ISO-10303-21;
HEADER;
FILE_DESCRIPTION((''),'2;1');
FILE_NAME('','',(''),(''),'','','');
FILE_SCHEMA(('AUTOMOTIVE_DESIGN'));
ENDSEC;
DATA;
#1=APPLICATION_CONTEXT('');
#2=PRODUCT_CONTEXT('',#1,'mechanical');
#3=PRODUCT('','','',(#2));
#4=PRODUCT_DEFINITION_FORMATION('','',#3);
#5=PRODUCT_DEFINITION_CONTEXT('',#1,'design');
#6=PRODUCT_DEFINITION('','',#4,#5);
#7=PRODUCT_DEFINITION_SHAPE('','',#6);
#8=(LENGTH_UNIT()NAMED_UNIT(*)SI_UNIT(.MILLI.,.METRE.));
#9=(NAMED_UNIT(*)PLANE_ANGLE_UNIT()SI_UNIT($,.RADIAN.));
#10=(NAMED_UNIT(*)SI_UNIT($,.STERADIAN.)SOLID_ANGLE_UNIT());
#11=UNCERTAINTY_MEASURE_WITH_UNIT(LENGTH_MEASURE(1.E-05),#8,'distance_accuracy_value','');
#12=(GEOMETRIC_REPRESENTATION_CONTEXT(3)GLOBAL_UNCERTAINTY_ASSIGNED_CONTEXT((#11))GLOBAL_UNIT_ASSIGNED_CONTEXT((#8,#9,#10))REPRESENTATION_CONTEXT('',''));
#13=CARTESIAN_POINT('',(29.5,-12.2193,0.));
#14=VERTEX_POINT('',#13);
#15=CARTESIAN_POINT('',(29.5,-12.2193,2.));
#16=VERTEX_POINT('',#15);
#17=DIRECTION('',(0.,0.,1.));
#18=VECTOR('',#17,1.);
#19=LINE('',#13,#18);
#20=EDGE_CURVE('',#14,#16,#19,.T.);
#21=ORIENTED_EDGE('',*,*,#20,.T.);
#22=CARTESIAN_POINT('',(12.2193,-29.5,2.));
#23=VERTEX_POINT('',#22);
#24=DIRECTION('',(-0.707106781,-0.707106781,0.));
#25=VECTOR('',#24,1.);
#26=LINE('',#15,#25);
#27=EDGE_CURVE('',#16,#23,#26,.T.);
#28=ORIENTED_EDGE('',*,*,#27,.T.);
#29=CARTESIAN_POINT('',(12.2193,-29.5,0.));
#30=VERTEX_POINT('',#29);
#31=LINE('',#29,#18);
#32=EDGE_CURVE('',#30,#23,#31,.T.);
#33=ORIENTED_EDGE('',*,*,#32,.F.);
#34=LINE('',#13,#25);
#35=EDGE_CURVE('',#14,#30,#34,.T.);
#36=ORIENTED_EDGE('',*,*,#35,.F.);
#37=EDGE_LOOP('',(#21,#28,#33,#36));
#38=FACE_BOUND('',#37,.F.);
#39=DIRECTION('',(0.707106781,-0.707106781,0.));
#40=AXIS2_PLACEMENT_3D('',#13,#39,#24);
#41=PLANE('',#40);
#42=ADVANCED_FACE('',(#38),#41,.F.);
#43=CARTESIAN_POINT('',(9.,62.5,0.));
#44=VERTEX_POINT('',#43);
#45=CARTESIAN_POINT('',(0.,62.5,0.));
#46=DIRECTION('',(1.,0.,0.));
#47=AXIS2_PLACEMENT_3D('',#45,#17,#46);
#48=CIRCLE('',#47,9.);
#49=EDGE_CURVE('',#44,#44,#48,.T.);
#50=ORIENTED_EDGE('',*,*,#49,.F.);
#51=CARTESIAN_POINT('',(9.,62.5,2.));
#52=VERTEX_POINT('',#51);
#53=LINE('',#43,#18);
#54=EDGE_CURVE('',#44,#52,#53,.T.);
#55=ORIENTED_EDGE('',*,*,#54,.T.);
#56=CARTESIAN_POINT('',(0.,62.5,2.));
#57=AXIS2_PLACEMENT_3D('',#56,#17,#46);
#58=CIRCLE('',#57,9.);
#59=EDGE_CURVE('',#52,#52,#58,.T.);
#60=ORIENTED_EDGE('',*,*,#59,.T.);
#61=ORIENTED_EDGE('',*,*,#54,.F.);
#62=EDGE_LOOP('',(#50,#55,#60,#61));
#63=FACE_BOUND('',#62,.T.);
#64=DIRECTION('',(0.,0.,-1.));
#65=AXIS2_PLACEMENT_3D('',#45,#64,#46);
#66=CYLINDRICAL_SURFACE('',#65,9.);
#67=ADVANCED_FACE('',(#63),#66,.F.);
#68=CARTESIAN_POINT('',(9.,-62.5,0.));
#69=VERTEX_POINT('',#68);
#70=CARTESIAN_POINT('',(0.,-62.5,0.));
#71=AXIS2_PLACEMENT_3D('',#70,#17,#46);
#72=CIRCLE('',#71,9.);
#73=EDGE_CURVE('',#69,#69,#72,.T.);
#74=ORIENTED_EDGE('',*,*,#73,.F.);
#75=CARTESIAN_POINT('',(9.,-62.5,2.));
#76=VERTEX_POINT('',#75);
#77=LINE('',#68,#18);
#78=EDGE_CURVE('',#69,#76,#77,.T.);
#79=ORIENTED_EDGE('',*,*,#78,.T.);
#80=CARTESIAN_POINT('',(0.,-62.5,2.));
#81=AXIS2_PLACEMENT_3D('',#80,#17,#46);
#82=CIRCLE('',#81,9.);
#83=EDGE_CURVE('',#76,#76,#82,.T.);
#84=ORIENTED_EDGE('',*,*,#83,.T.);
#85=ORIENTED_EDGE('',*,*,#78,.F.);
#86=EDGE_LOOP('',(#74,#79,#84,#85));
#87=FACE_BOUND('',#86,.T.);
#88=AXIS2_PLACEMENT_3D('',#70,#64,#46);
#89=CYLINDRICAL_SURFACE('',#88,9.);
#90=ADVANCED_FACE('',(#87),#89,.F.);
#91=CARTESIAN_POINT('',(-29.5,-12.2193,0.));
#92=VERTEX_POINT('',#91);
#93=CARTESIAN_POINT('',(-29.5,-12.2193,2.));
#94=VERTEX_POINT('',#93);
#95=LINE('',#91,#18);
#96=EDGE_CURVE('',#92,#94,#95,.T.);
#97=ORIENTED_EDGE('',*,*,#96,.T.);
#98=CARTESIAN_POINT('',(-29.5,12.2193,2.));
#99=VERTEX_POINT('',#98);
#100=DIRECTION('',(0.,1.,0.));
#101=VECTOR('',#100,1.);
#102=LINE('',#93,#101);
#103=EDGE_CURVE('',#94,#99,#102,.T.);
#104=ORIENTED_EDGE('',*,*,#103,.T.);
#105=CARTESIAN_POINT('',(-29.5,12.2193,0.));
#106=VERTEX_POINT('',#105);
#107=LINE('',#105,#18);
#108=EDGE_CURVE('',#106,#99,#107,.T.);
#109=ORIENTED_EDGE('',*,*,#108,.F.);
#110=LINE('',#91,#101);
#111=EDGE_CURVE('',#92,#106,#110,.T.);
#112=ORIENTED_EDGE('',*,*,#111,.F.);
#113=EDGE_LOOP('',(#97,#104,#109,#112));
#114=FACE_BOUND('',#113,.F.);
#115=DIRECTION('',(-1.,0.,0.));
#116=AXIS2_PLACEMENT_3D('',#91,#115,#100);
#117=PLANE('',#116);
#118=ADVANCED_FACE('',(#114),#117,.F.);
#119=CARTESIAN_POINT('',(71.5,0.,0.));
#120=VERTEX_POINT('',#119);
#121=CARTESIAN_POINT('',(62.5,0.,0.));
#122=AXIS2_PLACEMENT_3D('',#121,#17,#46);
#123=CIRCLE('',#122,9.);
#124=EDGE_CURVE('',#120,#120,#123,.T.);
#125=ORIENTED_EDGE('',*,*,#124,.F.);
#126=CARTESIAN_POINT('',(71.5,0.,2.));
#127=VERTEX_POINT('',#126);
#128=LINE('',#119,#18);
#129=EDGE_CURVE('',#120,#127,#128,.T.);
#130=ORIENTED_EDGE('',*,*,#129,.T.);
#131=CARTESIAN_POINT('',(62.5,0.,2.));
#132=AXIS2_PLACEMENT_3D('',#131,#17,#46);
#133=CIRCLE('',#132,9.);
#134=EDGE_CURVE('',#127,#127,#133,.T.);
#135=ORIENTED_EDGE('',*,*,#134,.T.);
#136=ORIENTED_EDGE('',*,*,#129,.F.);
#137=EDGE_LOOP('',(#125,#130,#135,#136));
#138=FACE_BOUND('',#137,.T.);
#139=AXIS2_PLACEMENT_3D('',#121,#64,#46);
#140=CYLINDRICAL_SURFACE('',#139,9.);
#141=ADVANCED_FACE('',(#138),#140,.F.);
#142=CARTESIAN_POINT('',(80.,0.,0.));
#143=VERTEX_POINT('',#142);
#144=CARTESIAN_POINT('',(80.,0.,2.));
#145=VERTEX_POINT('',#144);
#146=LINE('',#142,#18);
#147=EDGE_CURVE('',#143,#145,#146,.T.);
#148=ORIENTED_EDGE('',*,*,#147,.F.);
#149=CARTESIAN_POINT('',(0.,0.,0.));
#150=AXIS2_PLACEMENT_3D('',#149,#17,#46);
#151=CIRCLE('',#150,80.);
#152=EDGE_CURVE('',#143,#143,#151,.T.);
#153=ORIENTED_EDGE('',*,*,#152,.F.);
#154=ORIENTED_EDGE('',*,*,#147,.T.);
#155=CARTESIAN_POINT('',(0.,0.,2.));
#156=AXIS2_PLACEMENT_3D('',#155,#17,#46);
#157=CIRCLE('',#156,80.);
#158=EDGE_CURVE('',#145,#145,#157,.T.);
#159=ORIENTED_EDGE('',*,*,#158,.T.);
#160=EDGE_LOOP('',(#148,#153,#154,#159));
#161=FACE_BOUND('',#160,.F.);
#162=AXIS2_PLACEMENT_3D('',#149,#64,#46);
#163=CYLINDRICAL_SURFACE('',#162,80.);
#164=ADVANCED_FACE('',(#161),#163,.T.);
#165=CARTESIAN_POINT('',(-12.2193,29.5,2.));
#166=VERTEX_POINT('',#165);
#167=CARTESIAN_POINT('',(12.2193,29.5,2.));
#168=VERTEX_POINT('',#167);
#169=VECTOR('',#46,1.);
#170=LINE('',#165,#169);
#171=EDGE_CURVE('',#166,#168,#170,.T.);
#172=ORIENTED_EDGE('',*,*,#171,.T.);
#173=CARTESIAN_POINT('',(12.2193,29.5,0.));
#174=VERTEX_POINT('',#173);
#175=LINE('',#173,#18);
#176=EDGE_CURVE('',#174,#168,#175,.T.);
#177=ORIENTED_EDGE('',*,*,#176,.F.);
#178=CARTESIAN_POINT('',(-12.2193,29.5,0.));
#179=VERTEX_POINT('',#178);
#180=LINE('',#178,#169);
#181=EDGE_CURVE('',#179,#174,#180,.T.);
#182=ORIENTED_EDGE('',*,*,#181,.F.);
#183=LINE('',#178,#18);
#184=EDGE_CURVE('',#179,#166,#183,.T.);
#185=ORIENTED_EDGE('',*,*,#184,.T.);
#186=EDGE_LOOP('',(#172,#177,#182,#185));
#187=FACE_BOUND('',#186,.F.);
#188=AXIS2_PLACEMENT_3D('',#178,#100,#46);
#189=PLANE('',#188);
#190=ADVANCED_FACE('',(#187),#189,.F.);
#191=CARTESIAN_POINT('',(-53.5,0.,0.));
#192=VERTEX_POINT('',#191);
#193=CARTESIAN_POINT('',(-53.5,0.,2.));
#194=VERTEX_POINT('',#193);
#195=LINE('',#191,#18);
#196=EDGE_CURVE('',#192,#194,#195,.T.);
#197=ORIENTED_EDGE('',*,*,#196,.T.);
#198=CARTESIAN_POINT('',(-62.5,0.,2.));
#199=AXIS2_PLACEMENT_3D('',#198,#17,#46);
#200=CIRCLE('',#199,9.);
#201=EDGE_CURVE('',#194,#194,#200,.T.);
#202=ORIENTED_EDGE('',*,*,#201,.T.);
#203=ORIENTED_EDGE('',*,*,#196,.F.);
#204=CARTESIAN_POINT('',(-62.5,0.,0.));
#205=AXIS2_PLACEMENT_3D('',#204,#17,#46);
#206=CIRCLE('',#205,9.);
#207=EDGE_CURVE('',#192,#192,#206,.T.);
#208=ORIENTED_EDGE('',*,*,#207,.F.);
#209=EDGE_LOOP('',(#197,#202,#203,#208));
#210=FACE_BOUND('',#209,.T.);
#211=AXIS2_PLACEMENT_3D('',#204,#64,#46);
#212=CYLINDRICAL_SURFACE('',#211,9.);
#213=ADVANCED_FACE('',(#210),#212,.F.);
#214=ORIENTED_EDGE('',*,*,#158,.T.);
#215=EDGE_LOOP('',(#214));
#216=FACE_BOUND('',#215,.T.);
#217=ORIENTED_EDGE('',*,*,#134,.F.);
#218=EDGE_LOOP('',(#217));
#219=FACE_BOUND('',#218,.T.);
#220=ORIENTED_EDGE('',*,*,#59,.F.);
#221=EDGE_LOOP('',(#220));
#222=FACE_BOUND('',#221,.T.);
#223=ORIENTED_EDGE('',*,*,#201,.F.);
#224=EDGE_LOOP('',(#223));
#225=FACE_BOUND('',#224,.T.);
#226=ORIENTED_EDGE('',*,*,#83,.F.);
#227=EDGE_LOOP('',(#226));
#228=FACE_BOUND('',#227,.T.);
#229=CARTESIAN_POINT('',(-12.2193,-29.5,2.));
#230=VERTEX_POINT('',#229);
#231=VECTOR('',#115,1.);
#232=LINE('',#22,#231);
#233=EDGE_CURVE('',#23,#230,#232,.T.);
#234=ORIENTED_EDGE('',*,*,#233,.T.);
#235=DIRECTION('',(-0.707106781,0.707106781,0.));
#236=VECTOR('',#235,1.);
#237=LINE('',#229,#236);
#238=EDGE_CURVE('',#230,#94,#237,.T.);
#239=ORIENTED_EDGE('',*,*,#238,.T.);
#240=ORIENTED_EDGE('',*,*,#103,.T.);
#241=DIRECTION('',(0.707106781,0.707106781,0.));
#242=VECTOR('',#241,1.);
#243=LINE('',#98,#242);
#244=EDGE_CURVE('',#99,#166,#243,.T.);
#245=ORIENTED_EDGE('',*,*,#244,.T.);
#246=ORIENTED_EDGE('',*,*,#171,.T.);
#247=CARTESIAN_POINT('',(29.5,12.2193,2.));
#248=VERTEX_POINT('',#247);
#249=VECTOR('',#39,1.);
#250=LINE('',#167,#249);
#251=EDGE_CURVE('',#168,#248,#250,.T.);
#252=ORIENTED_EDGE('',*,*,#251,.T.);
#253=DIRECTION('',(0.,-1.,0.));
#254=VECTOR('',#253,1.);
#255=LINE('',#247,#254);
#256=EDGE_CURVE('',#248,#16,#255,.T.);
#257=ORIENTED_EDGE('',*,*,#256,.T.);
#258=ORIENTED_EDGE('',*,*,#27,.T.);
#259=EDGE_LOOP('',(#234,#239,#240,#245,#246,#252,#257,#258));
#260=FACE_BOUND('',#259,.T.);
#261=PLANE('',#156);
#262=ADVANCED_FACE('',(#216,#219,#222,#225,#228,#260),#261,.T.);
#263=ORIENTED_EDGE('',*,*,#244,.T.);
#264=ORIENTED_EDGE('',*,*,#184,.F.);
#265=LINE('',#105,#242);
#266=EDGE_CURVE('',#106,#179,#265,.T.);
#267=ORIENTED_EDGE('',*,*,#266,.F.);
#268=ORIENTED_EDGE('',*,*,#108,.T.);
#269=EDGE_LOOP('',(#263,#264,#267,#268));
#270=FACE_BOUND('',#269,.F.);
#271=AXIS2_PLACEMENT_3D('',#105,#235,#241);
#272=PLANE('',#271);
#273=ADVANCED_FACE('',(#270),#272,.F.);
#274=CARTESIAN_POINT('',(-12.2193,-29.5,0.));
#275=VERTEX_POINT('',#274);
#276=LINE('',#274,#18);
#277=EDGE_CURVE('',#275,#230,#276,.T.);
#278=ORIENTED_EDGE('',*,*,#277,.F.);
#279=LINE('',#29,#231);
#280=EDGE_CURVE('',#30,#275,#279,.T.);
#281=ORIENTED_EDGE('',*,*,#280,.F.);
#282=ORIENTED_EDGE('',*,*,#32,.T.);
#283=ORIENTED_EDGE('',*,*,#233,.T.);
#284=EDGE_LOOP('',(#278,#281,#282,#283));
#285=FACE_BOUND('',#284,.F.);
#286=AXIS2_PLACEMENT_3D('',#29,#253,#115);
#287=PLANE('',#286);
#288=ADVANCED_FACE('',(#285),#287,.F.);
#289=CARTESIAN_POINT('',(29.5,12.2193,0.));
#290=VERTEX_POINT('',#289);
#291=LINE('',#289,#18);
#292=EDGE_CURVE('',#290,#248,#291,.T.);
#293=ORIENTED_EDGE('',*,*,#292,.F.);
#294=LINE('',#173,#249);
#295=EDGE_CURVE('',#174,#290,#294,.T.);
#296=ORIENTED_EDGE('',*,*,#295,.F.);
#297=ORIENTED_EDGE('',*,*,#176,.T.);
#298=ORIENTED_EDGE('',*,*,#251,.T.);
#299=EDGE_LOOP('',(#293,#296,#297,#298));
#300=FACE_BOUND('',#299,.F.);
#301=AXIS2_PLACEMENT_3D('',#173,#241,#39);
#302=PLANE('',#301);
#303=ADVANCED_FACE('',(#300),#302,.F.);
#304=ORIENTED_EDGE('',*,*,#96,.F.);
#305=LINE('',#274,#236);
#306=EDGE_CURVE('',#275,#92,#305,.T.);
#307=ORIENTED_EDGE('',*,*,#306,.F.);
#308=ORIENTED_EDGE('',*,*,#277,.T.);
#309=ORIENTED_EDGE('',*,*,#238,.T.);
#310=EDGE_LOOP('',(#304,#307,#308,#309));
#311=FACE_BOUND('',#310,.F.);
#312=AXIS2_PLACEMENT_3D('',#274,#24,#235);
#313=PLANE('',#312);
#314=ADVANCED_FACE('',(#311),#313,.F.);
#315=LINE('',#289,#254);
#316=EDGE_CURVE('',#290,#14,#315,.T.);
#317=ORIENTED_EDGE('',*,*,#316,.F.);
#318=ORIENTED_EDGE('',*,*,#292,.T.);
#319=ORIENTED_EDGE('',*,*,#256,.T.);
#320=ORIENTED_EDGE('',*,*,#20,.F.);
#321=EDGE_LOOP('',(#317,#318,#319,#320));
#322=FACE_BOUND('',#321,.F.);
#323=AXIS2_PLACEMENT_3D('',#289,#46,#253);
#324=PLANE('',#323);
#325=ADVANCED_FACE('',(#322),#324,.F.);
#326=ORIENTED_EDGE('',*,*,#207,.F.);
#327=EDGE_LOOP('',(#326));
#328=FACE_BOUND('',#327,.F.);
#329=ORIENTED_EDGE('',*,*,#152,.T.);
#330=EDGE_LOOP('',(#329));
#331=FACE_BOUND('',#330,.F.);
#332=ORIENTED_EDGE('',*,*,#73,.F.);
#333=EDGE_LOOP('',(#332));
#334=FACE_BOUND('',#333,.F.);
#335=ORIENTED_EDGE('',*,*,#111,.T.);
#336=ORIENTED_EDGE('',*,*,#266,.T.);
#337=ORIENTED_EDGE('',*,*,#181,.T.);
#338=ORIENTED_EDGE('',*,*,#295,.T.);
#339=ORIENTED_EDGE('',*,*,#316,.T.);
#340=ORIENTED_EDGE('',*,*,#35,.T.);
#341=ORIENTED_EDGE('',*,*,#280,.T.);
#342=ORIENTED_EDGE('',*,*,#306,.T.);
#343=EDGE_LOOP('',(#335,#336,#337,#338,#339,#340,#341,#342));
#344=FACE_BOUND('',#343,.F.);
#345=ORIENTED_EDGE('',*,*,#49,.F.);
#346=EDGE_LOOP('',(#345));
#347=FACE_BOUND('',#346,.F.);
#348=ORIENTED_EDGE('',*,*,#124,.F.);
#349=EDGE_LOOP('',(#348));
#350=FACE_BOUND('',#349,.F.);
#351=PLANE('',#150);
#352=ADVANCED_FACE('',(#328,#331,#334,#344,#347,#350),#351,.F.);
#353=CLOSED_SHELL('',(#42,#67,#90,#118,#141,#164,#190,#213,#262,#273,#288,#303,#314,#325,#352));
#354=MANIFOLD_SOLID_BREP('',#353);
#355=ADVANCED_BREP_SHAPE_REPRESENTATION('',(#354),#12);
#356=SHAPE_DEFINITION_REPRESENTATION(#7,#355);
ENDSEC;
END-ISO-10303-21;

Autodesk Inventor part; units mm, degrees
ref_plane "YZ Plane" through (0, 0, 0) normal (1, 0, 0) x (0, 1, 0)
ref_plane "XZ Plane" through (0, 0, 0) normal (0, 1, 0) x (-1, 0, 0)
ref_plane "XY Plane" through (0, 0, 0) normal (0, 0, 1) x (1, 0, 0)
sketch "Sketch1" plane through (0, 0, 0) normal (0, 0, 1) x (1, 0, 0)
  circle A0 centre (0, 0) radius 62.5 construction
  circle A1 centre (0, 0) radius 29.5 construction
  circle A2 centre (0, 0) radius 80
  line L0 (12.2193, 29.5) -> (29.5, 12.2193)
  line L1 (29.5, 12.2193) -> (29.5, -12.2193)
  line L2 (29.5, -12.2193) -> (12.2193, -29.5)
  line L3 (12.2193, -29.5) -> (-12.2193, -29.5)
  line L4 (-12.2193, -29.5) -> (-29.5, -12.2193)
  line L5 (-29.5, -12.2193) -> (-29.5, 12.2193)
  line L6 (-29.5, 12.2193) -> (-12.2193, 29.5)
  line L7 (-12.2193, 29.5) -> (12.2193, 29.5)
  circle A3 centre (0, 62.5) radius 9
  circle A4 centre (-62.5, 0) radius 9
  circle A5 centre (0, -62.5) radius 9
  circle A6 centre (62.5, 0) radius 9
  point P0 (0, 29.5)
  dimension "D_b_c" = 125
  dimension "D_min" = 59
  dimension "D_max" = 160
  dimension "Blt_hl" = 18
  dimension "d177" = 360
extrude "Plate5" add sketch "Sketch1" along normal blind 2
properties part number "PRS 1200-82 funnel FLANGE" material "Stainless Steel"
